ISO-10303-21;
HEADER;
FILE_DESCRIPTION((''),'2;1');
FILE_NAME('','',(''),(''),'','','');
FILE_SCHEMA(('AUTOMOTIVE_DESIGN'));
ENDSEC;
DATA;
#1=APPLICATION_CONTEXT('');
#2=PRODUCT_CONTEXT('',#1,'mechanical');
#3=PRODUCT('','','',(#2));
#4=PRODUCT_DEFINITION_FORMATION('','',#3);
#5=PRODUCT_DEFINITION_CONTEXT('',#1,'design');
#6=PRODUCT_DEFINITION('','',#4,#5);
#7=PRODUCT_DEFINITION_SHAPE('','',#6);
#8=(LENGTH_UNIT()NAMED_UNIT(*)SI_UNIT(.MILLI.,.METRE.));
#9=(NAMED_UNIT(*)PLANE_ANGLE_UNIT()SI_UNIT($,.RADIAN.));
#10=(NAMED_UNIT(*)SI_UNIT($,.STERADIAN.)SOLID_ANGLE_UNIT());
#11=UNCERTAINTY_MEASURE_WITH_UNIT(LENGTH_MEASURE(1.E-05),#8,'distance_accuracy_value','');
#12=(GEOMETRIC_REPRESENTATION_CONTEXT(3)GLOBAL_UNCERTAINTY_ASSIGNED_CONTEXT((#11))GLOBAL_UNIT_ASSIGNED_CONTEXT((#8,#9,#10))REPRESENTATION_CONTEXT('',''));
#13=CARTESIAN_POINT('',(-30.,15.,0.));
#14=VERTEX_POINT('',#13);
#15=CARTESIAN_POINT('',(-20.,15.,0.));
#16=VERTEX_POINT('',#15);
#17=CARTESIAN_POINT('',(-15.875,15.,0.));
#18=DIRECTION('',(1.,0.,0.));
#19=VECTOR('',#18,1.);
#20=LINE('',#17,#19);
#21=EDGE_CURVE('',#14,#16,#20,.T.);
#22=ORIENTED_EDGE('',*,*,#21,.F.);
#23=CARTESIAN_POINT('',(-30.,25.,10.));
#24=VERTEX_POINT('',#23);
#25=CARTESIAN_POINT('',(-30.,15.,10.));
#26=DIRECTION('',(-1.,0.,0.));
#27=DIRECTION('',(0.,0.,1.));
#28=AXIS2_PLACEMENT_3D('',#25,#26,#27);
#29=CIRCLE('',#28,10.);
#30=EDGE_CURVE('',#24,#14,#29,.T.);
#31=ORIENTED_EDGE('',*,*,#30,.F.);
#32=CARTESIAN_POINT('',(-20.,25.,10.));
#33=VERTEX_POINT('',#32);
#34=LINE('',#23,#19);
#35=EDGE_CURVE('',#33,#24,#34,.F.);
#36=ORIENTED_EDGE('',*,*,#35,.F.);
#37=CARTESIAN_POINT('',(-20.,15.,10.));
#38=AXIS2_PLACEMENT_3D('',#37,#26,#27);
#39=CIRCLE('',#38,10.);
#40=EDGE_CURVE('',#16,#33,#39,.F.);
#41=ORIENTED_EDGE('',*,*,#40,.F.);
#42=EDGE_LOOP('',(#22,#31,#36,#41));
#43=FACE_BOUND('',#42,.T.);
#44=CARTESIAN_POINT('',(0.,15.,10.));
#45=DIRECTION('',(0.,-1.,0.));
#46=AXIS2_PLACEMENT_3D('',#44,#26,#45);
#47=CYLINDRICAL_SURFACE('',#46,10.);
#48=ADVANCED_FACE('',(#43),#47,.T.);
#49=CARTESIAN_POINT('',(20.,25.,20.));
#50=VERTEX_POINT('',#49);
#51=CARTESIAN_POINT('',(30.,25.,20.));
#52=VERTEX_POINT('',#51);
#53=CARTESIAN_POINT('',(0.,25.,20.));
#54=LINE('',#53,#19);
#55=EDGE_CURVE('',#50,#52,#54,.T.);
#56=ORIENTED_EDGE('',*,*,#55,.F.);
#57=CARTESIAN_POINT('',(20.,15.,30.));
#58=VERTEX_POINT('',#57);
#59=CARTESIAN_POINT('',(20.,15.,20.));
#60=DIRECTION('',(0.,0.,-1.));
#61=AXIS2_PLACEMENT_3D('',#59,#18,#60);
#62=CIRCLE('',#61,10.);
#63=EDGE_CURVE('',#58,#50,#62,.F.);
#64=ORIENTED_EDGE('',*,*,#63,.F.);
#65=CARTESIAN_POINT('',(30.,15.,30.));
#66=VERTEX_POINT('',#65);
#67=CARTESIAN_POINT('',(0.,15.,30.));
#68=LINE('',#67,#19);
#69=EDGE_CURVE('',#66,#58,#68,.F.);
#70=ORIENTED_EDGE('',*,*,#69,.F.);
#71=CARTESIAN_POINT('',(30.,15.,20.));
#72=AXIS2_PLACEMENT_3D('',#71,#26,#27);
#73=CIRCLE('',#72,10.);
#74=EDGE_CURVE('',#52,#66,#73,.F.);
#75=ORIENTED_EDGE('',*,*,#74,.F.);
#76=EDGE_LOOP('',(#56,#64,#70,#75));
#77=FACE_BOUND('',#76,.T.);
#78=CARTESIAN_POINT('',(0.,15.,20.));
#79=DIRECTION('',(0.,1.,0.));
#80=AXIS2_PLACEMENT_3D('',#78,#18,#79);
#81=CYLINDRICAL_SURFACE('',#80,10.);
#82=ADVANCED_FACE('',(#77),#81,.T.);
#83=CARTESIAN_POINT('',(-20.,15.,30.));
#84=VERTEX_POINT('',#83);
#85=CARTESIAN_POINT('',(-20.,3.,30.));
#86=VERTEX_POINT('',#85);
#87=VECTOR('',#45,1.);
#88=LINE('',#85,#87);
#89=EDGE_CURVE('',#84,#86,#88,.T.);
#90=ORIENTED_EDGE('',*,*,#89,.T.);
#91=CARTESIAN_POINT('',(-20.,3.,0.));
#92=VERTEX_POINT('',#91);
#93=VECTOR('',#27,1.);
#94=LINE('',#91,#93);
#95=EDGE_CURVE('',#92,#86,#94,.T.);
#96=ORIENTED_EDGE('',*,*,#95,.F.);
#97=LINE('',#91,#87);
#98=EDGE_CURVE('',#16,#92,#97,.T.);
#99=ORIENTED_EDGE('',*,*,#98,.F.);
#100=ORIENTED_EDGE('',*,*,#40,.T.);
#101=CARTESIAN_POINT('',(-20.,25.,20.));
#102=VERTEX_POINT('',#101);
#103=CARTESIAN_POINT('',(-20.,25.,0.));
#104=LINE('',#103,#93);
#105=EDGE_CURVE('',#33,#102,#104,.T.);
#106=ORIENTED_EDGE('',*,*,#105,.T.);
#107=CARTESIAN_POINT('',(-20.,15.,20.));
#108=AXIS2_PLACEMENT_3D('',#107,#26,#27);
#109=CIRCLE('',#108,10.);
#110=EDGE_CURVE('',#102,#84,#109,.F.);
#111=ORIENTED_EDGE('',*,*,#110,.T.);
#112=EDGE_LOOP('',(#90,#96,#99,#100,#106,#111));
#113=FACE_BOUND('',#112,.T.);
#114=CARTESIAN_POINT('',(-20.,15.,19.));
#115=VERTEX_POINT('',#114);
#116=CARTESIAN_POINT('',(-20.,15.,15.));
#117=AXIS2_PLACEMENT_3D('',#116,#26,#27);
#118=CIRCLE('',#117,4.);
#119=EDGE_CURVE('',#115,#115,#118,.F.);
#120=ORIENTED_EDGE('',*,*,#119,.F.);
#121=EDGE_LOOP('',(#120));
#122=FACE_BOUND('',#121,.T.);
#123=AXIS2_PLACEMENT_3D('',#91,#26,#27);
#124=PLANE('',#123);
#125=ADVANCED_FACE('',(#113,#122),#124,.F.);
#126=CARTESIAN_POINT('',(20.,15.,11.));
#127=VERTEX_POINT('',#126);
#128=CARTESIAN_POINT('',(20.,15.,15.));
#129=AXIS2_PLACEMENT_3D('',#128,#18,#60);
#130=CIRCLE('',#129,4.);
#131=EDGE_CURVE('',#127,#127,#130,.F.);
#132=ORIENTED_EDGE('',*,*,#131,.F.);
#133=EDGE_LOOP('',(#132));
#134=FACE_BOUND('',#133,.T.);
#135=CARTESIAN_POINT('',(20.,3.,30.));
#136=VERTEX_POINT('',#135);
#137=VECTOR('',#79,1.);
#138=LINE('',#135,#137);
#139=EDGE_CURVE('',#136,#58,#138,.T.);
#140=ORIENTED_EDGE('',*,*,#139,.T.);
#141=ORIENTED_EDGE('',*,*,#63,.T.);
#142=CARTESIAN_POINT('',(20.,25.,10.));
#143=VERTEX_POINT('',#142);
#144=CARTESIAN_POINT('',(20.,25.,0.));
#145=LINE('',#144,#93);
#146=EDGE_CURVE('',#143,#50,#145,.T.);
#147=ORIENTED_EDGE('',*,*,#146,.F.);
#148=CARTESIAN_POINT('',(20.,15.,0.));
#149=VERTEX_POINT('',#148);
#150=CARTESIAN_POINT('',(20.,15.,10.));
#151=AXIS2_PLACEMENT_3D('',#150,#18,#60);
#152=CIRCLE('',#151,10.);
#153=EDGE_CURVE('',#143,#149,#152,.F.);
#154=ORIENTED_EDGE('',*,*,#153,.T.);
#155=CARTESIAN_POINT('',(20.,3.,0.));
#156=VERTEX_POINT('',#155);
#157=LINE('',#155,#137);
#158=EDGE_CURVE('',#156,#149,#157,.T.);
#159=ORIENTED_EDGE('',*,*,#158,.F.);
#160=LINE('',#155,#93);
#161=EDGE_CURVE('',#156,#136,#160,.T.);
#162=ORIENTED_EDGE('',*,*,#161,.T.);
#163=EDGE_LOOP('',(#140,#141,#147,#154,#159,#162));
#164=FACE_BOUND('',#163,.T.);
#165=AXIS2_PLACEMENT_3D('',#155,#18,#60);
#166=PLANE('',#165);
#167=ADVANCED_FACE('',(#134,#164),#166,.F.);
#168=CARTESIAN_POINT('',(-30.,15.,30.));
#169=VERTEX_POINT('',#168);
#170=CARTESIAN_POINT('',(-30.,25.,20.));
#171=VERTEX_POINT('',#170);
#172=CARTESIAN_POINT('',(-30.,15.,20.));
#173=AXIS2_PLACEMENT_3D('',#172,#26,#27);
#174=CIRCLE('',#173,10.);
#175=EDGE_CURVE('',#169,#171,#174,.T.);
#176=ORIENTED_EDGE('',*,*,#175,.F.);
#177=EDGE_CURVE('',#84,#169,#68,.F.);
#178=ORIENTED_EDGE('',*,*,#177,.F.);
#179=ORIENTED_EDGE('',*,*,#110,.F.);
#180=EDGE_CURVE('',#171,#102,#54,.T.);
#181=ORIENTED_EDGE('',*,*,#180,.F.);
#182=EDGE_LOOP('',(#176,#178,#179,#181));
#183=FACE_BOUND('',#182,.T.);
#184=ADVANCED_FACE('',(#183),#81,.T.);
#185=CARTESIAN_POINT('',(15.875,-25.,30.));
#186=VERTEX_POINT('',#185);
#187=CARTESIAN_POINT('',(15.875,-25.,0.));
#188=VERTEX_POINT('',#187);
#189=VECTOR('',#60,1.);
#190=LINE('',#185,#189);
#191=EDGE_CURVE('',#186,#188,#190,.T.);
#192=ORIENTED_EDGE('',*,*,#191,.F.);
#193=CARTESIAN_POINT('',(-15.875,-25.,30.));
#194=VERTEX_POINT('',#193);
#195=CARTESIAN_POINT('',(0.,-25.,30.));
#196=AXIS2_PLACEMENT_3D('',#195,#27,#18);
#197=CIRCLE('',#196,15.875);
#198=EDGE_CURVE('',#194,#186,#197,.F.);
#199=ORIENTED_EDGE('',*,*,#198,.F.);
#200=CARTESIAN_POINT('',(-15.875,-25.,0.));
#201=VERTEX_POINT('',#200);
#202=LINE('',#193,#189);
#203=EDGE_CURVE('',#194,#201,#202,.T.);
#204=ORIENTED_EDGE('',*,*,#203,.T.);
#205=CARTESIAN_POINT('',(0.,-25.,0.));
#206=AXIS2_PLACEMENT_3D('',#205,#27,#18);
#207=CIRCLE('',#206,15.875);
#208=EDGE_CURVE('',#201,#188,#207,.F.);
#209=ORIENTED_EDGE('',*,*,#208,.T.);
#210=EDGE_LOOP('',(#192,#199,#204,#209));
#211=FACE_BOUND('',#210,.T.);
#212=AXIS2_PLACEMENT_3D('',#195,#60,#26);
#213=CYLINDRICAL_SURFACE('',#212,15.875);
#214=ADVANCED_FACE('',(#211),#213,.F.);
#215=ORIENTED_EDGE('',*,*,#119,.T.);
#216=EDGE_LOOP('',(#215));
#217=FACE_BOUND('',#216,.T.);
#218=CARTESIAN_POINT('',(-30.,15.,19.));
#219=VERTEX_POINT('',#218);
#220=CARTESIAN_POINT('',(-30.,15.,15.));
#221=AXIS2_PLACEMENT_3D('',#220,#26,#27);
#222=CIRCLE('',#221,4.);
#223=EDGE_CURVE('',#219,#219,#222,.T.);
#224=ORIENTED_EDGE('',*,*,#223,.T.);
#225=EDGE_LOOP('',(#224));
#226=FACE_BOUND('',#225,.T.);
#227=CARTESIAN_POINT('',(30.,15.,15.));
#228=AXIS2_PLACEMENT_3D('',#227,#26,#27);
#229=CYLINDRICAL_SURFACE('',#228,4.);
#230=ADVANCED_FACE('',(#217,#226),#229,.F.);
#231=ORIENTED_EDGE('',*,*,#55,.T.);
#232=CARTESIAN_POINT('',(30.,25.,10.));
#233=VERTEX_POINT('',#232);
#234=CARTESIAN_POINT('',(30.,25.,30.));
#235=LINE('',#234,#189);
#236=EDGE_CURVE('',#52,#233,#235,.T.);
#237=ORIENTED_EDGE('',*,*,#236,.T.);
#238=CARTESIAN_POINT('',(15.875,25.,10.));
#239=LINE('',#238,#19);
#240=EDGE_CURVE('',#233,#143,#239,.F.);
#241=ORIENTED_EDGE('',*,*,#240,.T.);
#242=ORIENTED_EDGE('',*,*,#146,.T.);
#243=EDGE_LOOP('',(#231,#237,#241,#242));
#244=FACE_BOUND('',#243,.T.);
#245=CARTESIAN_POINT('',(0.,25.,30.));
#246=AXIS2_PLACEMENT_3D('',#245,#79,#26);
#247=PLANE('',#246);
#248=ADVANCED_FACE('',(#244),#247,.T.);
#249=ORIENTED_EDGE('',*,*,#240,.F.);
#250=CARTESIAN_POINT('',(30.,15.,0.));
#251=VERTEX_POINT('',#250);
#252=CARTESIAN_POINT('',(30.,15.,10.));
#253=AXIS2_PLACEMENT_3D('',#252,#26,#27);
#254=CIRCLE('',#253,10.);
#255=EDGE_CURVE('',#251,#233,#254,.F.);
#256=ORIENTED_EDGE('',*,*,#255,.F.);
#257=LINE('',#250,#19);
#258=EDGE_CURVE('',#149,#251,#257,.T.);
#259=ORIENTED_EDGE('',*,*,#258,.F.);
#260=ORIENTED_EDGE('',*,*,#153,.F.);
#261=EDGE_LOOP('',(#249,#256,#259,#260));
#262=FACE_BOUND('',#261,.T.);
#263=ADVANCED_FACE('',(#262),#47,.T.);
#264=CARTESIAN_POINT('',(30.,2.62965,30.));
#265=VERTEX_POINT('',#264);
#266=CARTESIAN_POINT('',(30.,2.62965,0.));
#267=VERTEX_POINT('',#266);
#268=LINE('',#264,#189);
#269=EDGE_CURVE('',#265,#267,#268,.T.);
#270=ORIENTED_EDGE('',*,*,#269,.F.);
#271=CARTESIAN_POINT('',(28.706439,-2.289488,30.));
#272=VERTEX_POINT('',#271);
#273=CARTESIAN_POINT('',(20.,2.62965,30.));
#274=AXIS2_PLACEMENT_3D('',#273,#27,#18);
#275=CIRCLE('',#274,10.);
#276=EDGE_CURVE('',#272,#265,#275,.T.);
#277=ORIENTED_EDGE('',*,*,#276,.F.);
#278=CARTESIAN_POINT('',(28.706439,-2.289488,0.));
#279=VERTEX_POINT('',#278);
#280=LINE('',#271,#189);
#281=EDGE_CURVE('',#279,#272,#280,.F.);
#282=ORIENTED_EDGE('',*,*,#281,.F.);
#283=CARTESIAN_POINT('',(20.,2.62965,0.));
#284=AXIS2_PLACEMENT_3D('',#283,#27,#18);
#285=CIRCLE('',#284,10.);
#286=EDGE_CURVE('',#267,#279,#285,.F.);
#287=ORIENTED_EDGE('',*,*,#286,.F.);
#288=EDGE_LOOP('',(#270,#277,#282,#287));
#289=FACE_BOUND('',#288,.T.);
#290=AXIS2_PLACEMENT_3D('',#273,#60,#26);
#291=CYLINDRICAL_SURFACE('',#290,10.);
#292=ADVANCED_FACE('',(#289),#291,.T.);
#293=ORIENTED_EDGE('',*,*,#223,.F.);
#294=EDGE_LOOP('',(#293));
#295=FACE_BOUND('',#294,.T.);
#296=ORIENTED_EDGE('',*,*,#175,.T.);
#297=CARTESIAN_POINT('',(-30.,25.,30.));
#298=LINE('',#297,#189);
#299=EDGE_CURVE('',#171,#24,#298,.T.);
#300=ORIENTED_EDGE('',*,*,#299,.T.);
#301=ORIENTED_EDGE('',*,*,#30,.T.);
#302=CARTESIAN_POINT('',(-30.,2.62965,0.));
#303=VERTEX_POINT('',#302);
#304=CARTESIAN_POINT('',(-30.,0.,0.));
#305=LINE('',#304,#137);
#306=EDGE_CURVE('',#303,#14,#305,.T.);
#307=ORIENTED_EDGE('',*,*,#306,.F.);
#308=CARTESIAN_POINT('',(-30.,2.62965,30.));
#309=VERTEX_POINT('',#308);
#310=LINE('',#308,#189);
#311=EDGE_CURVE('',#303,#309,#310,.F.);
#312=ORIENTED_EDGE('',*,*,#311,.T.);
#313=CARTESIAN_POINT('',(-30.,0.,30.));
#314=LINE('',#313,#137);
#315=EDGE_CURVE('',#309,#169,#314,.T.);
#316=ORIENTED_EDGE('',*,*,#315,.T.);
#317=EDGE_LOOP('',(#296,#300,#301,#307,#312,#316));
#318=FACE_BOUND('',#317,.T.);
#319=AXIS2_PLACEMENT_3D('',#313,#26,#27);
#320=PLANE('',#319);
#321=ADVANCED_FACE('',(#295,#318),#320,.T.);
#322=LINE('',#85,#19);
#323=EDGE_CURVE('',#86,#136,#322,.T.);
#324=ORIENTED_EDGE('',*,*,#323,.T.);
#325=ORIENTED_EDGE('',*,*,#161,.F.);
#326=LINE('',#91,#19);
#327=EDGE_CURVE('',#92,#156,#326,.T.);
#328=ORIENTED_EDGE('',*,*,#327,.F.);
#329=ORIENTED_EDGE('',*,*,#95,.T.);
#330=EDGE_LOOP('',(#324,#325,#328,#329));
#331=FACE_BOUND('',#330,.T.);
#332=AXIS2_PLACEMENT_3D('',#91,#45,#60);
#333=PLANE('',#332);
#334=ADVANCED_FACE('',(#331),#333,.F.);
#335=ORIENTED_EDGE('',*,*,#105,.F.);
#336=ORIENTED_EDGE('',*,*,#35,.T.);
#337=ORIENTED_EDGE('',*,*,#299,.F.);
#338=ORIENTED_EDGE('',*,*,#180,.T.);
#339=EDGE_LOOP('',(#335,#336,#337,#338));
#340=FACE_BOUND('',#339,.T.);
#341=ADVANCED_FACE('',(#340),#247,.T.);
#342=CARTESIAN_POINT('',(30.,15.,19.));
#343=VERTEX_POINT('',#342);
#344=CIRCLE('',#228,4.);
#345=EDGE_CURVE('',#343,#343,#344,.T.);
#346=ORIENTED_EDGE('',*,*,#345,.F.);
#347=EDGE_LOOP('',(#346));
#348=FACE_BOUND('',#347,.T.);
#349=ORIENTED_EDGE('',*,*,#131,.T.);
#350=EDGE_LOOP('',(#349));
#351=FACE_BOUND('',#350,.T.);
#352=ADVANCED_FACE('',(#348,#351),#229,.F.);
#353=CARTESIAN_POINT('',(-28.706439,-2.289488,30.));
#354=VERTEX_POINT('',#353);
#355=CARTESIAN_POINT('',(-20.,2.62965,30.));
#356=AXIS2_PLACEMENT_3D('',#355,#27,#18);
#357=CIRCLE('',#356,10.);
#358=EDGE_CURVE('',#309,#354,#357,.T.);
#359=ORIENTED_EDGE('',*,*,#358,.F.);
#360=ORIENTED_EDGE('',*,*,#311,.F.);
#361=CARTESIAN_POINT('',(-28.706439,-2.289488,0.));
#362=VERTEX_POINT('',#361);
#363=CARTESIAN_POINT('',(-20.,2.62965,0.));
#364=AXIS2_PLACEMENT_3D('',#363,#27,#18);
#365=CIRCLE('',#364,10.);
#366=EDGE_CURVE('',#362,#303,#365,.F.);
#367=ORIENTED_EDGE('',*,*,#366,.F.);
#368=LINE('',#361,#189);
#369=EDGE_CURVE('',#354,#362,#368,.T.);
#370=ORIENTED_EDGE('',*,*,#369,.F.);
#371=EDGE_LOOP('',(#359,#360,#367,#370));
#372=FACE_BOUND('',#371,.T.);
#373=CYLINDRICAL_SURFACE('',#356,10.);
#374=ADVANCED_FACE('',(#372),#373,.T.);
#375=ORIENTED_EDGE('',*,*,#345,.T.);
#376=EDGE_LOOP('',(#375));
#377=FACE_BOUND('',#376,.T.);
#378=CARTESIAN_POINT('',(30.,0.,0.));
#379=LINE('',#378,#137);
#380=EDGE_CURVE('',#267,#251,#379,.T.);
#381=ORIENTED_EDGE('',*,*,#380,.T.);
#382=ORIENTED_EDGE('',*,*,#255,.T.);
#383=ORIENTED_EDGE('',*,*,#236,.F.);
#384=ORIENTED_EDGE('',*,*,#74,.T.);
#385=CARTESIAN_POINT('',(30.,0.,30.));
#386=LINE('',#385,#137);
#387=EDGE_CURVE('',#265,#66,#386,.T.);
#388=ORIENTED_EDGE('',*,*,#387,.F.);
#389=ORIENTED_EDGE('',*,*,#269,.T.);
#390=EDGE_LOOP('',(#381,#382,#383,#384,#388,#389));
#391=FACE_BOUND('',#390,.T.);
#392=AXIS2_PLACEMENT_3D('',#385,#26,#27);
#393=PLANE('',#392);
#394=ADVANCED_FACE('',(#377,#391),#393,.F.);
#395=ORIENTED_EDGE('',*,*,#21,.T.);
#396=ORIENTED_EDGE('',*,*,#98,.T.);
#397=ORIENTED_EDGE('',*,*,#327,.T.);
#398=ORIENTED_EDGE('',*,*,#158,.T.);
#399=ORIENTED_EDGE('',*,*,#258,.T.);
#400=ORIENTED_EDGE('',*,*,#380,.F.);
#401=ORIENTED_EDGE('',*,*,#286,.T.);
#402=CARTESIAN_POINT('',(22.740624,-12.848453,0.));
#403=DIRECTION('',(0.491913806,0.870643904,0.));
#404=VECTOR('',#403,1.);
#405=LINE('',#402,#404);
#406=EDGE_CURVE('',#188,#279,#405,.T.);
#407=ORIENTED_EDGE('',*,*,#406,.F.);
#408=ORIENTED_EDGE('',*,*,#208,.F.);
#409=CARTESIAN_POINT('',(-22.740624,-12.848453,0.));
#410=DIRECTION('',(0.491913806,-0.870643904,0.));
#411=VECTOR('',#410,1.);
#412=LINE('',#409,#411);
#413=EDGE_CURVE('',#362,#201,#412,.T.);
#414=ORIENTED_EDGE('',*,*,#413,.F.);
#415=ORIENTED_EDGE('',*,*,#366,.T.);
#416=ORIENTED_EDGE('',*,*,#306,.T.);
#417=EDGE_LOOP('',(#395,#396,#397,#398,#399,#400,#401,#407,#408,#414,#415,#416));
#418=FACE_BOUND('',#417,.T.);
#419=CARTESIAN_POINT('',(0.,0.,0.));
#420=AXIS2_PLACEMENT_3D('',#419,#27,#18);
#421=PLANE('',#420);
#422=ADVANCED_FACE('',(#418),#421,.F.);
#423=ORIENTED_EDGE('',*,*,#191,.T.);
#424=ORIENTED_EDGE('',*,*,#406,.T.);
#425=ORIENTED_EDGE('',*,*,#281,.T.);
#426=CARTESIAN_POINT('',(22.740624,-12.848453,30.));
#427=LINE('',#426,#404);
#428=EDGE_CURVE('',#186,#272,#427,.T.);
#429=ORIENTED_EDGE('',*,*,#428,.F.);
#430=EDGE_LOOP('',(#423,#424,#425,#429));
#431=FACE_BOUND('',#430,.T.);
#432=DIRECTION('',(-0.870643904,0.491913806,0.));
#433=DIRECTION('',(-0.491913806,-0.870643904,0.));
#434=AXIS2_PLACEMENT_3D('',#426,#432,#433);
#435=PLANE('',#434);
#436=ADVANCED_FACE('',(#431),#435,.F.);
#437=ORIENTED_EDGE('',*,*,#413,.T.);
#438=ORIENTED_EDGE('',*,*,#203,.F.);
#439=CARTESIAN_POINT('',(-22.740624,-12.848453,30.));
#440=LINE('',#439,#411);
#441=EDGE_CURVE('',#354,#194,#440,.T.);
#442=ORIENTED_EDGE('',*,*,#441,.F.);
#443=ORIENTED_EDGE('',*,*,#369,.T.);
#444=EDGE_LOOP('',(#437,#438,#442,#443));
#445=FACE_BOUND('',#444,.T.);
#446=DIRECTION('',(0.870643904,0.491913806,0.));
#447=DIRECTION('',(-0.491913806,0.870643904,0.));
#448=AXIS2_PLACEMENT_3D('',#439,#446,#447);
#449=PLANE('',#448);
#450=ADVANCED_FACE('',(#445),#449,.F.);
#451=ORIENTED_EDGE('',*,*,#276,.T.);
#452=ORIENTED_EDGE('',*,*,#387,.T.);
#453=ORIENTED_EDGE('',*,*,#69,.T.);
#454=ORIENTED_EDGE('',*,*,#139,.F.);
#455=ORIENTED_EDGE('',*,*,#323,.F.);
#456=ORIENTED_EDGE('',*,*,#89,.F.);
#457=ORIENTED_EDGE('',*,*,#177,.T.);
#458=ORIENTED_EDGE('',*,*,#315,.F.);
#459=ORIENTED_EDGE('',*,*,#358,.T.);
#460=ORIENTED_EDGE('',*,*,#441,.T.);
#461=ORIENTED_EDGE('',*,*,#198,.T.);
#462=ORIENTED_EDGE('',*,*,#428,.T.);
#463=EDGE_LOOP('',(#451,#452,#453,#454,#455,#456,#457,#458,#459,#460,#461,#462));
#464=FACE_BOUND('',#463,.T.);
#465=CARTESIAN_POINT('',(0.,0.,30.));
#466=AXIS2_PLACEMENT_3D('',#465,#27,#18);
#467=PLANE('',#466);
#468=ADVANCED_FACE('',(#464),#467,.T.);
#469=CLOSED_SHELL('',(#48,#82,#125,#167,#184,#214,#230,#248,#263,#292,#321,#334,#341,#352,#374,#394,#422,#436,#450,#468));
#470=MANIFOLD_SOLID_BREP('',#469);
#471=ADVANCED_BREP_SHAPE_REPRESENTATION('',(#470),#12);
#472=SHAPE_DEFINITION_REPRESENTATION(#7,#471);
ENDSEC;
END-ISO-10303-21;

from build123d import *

# Parameters (mm, degrees)
BOSS_EXTRUDE1_DEPTH = 30
FILLET1_R           = 10
SKETCH2_R           = 4
CUT_EXTRUDE1_DEPTH  = 72.589105316
SKETCH4_W           = 40
SKETCH4_H           = 22
CUT_EXTRUDE2_DEPTH  = 50.244289009
FILLET2_R           = 10


with BuildPart() as part:
    # Sketch1 → Boss-Extrude1 (new body)
    with BuildSketch(Plane.XY):
        with BuildLine():
            Line((-15.875, 25), (-15.875, 7))
            Line((-15.875, 7), (15.875, 7))
            Line((15.875, 7), (15.875, 25))
            Line((15.875, 25), (30, 25))
            Line((30, 25), (30, 0))
            Line((30, 0), (15.875, -25))
            ThreePointArc((15.875, -25), (0, -9.125), (-15.875, -25))
            Line((-15.875, -25), (-30, 0))
            Line((-30, 0), (-30, 25))
            Line((-30, 25), (-15.875, 25))
        make_face()
    extrude(amount=BOSS_EXTRUDE1_DEPTH)

    # Fillet1
    fillet1_edges = [part.edges().sort_by_distance(p)[0] for p in [
        (-22.9375, 25, 0),
        (22.9375, 25, 0),
        (22.9375, 25, 30),
        (-22.9375, 25, 30),
    ]]
    fillet(fillet1_edges, radius=FILLET1_R)

    # Sketch2 → Cut-Extrude1 (cut, through all)
    with BuildSketch(Plane.ZY.offset(30)):
        with Locations((15, 15)):
            Circle(SKETCH2_R)
    extrude(amount=-CUT_EXTRUDE1_DEPTH, mode=Mode.SUBTRACT)

    # Sketch4 → Cut-Extrude2 (cut, through all)
    with BuildSketch(Plane.XY.offset(30)):
        with Locations((0, 14)):
            Rectangle(SKETCH4_W, SKETCH4_H)
    extrude(amount=-CUT_EXTRUDE2_DEPTH, mode=Mode.SUBTRACT)

    # Fillet2
    fillet2_edges = [part.edges().sort_by_distance(p)[0] for p in [
        (-30, 0, 15),
        (30, 0, 15),
    ]]
    fillet(fillet2_edges, radius=FILLET2_R)


solid = part.part
